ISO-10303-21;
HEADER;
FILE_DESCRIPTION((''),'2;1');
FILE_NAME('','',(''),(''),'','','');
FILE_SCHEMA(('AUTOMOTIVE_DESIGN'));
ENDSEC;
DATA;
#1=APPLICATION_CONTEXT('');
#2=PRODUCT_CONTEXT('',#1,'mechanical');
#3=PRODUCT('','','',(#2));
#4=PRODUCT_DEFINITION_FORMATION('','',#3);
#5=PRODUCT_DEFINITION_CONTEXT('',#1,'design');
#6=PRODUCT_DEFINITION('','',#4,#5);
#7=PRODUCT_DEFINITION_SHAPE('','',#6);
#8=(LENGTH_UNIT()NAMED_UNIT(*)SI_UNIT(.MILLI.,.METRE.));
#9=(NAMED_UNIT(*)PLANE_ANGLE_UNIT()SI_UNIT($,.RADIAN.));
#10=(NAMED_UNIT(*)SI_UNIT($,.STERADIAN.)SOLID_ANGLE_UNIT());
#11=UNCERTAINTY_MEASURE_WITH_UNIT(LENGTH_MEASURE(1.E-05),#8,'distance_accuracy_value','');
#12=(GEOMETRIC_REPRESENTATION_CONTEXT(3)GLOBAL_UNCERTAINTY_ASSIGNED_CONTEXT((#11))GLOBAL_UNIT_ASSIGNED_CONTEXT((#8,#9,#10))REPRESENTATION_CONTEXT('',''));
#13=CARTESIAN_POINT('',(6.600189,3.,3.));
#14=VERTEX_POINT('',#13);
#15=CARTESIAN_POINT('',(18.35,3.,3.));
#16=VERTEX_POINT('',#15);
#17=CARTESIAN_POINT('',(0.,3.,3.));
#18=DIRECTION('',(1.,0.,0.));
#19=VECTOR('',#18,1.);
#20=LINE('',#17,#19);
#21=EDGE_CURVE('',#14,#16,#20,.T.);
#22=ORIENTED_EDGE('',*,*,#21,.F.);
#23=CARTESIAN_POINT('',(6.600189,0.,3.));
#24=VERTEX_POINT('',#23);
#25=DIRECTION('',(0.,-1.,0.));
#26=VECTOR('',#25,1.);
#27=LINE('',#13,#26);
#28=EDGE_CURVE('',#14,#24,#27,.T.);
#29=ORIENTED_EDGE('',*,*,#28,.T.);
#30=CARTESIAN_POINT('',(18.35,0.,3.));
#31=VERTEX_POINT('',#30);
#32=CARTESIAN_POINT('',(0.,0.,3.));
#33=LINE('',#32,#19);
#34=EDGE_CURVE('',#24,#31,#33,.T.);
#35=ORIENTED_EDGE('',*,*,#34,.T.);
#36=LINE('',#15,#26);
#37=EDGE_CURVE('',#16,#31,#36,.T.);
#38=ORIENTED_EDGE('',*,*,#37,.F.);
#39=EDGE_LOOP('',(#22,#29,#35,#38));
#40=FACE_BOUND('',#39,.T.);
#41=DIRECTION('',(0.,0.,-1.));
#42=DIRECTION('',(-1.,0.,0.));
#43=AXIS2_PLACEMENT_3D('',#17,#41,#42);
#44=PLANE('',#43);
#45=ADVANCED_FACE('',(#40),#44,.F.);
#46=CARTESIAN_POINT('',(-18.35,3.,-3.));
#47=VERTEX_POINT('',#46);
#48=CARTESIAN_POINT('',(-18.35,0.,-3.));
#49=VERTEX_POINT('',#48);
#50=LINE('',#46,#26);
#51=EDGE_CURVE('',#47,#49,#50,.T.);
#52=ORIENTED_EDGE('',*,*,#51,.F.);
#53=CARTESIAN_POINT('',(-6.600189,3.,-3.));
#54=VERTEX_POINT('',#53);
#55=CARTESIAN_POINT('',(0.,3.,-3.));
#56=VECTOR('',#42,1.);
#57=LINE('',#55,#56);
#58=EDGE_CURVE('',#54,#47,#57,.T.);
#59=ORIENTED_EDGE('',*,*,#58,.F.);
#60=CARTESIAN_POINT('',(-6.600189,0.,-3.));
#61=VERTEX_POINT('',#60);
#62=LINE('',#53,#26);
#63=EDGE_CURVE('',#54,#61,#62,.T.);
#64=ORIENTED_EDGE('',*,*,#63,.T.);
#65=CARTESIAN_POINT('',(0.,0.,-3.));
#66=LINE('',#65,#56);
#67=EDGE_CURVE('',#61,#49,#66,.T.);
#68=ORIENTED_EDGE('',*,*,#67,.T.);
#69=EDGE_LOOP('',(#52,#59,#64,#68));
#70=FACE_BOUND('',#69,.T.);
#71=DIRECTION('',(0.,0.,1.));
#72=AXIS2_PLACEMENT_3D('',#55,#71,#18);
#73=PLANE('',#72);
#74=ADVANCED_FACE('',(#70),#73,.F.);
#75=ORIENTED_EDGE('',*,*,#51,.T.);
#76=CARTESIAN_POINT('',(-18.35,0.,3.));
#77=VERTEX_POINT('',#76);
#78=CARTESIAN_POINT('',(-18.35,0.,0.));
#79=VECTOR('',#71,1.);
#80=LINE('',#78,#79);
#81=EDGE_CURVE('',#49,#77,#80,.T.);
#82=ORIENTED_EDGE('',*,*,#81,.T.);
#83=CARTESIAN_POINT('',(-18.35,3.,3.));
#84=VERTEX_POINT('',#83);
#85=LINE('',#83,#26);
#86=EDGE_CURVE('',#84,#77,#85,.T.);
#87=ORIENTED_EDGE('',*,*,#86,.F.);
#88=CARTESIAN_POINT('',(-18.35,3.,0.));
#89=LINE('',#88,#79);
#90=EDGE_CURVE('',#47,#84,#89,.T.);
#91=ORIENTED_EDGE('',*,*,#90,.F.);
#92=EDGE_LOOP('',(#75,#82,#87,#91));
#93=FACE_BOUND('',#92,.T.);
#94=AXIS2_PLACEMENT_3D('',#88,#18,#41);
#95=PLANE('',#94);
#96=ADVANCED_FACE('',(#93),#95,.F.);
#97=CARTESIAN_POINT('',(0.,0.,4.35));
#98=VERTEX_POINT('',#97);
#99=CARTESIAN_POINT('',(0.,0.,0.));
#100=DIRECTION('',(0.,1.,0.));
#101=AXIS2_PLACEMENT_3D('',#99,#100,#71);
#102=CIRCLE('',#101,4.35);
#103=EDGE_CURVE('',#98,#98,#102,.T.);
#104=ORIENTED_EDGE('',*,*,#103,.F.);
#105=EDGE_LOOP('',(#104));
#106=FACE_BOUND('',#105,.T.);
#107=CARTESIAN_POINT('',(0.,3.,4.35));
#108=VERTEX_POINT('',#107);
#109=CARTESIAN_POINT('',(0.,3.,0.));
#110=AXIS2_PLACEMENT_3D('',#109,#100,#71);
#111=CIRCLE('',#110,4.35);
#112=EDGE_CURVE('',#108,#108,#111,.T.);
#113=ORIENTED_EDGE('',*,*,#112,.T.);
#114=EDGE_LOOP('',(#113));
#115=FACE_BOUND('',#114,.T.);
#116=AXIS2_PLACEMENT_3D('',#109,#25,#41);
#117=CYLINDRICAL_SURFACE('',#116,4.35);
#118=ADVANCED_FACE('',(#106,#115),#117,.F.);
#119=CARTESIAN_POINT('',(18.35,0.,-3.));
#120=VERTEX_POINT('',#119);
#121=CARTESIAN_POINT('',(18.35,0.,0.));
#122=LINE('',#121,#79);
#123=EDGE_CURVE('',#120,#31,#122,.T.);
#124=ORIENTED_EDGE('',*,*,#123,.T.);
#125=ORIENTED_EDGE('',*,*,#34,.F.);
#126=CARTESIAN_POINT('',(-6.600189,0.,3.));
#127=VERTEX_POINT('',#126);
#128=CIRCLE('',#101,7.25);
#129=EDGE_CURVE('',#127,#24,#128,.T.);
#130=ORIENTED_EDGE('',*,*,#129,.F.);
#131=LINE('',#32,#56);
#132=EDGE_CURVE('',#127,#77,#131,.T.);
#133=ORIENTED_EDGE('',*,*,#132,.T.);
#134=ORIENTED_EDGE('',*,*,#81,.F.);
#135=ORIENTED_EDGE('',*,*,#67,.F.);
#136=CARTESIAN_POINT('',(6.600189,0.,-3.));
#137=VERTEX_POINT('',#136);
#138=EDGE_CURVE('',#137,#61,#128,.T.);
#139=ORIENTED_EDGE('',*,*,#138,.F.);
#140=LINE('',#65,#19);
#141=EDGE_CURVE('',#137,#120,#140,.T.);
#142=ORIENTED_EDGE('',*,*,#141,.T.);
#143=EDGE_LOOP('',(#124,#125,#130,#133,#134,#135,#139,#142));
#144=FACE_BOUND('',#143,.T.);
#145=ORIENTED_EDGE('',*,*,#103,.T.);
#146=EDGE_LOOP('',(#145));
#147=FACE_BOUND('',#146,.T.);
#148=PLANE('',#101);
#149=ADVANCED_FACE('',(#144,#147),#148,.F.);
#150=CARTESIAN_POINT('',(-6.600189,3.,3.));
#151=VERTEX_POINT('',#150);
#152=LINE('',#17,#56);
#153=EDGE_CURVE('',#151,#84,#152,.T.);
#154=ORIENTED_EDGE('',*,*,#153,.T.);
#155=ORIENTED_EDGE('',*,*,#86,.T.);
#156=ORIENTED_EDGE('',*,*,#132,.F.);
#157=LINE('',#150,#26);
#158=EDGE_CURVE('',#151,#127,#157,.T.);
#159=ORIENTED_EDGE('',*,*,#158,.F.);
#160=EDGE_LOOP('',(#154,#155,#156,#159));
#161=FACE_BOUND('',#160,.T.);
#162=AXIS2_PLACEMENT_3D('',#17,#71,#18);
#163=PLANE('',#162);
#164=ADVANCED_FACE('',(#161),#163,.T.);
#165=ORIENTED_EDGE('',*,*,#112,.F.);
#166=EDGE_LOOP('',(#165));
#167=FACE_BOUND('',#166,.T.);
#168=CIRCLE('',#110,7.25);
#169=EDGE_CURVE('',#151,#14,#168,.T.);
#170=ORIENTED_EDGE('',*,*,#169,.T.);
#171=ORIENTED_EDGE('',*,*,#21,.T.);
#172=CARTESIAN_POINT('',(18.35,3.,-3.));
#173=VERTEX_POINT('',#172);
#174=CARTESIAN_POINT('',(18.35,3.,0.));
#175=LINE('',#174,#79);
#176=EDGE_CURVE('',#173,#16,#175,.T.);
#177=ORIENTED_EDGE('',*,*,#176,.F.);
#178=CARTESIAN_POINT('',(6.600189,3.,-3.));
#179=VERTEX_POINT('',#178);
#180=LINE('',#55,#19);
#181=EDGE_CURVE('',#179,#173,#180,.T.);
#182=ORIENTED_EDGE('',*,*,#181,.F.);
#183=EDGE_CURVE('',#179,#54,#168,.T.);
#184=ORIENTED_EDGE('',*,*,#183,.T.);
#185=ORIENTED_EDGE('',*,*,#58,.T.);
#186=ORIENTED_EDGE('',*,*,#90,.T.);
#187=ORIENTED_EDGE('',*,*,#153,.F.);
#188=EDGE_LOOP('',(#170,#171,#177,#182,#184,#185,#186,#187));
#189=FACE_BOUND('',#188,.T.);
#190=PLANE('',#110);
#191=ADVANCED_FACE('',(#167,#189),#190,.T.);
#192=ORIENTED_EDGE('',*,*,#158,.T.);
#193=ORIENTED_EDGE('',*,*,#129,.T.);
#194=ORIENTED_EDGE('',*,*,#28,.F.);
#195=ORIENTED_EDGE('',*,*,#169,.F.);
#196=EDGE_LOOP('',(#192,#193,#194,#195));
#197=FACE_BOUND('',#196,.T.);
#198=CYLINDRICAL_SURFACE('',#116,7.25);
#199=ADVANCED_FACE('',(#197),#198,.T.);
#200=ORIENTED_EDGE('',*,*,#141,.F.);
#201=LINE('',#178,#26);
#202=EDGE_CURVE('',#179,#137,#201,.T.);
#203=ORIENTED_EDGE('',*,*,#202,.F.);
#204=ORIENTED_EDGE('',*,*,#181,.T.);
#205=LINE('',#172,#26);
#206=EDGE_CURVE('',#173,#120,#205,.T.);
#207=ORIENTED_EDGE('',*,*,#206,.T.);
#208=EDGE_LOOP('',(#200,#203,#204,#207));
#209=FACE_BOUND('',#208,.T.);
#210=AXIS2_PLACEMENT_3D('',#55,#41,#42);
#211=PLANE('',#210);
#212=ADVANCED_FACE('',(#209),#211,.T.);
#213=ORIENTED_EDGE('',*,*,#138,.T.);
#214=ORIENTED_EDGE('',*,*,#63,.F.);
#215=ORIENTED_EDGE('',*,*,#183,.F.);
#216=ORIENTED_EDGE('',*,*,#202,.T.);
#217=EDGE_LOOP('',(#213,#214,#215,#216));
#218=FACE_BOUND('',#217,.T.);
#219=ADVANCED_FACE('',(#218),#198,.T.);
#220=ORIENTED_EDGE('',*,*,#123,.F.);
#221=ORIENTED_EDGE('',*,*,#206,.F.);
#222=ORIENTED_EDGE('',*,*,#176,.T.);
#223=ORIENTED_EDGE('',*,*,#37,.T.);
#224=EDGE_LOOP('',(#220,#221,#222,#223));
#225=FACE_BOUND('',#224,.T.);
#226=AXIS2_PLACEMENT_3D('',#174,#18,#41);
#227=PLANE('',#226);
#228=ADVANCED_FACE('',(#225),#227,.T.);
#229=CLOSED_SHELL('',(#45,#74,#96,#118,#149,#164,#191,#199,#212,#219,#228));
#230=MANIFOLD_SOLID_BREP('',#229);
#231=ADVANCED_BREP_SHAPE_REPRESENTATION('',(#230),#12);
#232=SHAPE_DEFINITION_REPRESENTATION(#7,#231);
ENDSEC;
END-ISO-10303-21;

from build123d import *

# Parameters (mm, degrees)
SKETCH1_R           = 7.25
SKETCH1_R_2         = 4.35
BOSS_EXTRUDE1_DEPTH = 3
SKETCH2_W           = 14
SKETCH2_H           = 6
BOSS_EXTRUDE2_DEPTH = 3


with BuildPart() as part:
    # Sketch1 → Boss-Extrude1 (new body)
    with BuildSketch(Plane(origin=(0, 0, 0), x_dir=(1, 0, 0), z_dir=(0, 1, 0))):
        with Locations(Location((0, 0, 0), (0, 0, 270))):
            Circle(SKETCH1_R)
        with Locations(Location((0, 0, 0), (0, 0, 270))):
            Circle(SKETCH1_R_2, mode=Mode.SUBTRACT)
    extrude(amount=BOSS_EXTRUDE1_DEPTH)

    # Sketch2 → Boss-Extrude2 (add)
    with BuildSketch(Plane(origin=(0, 0, 0), x_dir=(1, 0, 0), z_dir=(0, 1, 0))):
        Polygon((4.35, 3), (4.35, 0), (4.35, -3), (18.35, -3), (18.35, 3), align=None)
        with Locations((-11.35, 0)):
            Rectangle(SKETCH2_W, SKETCH2_H)
    extrude(amount=BOSS_EXTRUDE2_DEPTH)


solid = part.part
